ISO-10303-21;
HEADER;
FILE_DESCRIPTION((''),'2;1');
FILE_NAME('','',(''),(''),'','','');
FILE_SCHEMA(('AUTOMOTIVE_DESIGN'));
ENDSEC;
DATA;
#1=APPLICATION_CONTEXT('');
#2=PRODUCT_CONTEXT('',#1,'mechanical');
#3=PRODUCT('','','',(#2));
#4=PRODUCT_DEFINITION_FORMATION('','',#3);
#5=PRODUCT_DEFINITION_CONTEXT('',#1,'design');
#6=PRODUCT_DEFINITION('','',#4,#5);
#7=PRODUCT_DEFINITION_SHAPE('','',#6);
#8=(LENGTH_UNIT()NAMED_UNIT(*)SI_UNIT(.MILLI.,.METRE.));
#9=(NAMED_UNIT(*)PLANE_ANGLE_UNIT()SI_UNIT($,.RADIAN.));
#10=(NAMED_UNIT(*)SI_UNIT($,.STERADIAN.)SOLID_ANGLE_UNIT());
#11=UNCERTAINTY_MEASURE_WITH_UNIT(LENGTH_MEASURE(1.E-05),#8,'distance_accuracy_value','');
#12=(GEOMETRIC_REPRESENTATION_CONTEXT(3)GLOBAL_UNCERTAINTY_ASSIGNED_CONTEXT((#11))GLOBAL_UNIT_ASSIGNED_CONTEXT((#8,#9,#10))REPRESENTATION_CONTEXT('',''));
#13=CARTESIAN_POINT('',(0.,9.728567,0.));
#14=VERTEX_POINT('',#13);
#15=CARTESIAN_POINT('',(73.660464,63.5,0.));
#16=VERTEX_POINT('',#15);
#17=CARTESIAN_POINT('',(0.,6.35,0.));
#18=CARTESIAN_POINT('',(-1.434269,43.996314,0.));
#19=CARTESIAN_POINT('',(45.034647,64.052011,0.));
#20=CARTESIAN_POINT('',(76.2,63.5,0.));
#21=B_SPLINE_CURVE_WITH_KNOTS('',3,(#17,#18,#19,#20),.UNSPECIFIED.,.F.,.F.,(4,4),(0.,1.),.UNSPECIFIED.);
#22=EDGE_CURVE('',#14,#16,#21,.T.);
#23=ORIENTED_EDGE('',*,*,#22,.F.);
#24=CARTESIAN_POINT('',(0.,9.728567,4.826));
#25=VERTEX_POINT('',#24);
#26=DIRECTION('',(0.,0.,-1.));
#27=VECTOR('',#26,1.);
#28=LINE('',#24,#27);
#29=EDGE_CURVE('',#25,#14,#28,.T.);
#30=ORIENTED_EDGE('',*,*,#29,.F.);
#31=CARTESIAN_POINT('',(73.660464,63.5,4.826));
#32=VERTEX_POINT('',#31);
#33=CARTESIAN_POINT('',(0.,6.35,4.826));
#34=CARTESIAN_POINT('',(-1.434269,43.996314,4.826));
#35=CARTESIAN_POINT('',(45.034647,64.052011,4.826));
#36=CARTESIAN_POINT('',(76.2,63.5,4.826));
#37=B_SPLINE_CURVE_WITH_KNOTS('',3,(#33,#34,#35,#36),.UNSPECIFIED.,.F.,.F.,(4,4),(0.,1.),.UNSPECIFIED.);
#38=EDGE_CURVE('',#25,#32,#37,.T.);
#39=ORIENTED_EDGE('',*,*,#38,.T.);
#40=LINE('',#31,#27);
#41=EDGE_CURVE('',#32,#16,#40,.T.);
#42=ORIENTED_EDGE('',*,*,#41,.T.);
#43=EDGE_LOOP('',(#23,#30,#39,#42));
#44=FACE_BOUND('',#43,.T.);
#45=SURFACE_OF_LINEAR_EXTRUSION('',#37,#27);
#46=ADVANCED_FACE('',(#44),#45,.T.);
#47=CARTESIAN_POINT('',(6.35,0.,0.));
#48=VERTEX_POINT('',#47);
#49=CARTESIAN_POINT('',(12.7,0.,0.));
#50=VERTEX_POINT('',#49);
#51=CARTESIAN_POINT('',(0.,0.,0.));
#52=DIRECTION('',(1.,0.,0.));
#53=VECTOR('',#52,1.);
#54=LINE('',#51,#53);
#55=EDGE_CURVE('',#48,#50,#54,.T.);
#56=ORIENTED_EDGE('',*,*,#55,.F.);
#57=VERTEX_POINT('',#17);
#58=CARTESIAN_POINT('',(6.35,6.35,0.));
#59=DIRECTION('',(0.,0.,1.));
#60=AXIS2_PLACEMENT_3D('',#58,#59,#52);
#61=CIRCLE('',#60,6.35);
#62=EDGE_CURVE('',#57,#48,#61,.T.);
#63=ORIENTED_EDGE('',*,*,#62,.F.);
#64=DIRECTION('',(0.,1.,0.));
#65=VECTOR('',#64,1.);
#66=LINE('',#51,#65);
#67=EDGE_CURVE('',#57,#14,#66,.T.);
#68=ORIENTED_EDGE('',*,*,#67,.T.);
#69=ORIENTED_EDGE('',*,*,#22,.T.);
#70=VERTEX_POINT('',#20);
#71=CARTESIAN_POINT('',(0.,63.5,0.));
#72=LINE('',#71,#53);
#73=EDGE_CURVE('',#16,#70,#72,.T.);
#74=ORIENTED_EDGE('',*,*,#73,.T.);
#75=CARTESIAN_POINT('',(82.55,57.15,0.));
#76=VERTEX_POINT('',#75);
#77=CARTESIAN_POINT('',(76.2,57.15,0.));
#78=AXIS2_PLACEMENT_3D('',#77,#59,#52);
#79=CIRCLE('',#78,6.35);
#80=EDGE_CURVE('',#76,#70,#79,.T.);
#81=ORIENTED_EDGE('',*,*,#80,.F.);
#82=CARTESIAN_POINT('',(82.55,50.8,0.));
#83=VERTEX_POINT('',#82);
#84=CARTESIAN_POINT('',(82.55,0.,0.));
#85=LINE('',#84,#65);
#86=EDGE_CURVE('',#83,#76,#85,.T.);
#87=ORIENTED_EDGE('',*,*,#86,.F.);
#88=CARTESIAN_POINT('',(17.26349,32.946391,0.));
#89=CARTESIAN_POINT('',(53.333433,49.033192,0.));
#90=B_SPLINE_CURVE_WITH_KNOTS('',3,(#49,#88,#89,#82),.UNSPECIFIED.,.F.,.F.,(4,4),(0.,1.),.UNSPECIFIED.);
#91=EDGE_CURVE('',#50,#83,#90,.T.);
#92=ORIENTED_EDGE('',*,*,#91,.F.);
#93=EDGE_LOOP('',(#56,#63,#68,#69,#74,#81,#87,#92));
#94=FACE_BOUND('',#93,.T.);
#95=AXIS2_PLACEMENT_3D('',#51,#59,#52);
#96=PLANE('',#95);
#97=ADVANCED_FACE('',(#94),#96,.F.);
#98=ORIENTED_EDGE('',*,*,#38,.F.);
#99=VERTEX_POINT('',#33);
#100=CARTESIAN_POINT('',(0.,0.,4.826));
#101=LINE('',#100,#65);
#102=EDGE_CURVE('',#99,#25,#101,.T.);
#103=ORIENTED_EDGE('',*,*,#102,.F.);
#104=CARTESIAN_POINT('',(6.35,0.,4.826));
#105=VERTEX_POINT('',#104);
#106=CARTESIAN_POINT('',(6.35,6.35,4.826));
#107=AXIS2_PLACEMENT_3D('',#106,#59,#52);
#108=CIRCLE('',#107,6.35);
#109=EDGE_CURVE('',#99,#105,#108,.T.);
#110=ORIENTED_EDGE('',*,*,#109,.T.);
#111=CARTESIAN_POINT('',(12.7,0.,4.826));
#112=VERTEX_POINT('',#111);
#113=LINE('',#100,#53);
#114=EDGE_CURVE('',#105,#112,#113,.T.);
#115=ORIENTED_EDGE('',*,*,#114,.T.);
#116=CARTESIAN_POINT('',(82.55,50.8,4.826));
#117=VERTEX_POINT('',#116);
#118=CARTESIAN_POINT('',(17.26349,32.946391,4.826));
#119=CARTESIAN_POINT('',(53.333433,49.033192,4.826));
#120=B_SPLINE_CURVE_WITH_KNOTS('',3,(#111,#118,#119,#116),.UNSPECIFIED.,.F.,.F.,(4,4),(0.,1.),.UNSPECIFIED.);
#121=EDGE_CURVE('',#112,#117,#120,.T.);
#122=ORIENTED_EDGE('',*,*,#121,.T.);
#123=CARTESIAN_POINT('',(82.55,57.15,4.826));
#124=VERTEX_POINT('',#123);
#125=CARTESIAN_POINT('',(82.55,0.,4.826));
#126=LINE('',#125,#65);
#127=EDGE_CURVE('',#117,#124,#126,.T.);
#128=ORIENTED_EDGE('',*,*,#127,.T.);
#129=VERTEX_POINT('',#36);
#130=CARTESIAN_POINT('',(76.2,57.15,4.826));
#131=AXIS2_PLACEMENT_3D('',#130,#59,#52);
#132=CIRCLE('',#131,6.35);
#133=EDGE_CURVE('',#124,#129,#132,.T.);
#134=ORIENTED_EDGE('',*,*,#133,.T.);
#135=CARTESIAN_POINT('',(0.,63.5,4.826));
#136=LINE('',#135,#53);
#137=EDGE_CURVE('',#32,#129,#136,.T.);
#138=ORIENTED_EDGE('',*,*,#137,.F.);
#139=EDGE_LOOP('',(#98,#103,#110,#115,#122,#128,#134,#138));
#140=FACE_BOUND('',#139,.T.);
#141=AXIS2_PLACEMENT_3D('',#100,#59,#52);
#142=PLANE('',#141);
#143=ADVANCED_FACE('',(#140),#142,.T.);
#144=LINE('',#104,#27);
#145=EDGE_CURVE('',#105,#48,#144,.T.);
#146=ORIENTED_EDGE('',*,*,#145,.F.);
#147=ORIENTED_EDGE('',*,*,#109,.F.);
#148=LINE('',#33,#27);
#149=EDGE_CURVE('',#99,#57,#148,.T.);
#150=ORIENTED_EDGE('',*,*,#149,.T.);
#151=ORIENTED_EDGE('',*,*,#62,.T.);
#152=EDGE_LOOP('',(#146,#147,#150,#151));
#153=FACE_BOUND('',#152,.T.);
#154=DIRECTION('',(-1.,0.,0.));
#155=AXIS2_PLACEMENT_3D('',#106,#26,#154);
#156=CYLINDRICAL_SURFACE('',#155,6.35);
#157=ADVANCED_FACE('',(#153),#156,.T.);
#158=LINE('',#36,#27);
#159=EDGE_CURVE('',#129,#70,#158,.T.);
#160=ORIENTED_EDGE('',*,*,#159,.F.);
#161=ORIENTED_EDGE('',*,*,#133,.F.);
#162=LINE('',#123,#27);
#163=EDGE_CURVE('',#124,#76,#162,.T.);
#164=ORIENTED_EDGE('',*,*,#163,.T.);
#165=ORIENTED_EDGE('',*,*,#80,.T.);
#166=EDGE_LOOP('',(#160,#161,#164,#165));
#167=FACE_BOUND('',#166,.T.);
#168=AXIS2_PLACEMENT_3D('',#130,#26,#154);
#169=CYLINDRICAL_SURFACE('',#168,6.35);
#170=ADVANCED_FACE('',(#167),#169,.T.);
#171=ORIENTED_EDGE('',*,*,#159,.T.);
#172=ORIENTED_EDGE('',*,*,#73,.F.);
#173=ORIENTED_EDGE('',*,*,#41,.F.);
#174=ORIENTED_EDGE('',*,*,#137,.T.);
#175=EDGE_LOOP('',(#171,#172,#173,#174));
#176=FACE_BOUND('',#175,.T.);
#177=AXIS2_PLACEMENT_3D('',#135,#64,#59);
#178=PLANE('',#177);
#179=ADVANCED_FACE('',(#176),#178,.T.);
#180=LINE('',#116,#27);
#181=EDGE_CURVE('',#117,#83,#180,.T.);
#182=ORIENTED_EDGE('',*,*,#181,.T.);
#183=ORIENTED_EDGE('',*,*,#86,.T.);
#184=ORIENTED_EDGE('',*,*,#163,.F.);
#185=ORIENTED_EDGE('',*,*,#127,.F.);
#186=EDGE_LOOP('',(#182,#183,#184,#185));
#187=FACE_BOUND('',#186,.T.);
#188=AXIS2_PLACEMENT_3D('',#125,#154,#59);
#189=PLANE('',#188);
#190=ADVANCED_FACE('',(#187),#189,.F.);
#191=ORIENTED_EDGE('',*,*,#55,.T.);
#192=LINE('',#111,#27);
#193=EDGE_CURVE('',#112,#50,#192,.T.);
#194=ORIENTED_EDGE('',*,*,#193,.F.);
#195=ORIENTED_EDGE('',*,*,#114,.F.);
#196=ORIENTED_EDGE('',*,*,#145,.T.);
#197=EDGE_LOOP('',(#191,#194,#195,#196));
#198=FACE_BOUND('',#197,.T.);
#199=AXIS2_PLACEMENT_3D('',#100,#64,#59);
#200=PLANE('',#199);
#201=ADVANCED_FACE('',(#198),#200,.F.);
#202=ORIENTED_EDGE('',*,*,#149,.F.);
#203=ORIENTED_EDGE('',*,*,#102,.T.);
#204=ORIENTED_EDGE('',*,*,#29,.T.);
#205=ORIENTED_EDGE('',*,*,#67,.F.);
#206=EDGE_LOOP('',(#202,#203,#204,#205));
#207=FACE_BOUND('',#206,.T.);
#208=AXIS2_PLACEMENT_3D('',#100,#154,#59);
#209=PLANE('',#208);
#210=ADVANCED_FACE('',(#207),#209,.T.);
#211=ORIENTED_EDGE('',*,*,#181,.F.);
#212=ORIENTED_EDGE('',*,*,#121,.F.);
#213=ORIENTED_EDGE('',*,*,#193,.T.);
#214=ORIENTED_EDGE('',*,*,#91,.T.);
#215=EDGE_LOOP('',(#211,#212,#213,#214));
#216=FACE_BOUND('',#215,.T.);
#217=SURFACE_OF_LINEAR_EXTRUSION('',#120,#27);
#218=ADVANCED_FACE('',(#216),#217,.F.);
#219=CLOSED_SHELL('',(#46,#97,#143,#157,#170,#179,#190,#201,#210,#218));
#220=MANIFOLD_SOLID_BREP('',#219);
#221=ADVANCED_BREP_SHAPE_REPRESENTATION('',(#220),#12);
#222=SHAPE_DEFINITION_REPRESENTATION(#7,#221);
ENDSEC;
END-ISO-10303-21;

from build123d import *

# Parameters (mm, degrees)
BOSS_EXTRUDE1_DEPTH = 4.826


with BuildPart() as part:
    # Sketch1 → Boss-Extrude1 (new body)
    with BuildSketch(Plane.XY):
        with BuildLine():
            ThreePointArc((0, 6.35), (1.859871939, 1.859871939), (6.35, 0))
            Line((6.35, 0), (12.7, 0))
            add(Edge.make_bspline(
                [(12.7, 0), (17.263490099, 32.946390999), (53.333433175, 49.033191713), (82.55, 50.8)],
                knots=[0, 0, 0, 0, 1, 1, 1, 1], degree=3))
            Line((82.55, 50.8), (82.55, 57.15))
            ThreePointArc((82.55, 57.15), (80.690128061, 61.640128061), (76.2, 63.5))
            Line((76.2, 63.5), (73.660464329, 63.5))
            add(Edge.make_bspline(
                [(0, 9.728566654), (1.333982387, 44.213527708), (43.545631304, 62.980228308), (73.660464329, 63.5)],
                knots=[0.030346022, 0.030346022, 0.030346022, 0.030346022, 0.973178261, 0.973178261, 0.973178261, 0.973178261], degree=3))
            Line((0, 9.728566654), (0, 6.35))
        make_face()
    extrude(amount=BOSS_EXTRUDE1_DEPTH)


solid = part.part
